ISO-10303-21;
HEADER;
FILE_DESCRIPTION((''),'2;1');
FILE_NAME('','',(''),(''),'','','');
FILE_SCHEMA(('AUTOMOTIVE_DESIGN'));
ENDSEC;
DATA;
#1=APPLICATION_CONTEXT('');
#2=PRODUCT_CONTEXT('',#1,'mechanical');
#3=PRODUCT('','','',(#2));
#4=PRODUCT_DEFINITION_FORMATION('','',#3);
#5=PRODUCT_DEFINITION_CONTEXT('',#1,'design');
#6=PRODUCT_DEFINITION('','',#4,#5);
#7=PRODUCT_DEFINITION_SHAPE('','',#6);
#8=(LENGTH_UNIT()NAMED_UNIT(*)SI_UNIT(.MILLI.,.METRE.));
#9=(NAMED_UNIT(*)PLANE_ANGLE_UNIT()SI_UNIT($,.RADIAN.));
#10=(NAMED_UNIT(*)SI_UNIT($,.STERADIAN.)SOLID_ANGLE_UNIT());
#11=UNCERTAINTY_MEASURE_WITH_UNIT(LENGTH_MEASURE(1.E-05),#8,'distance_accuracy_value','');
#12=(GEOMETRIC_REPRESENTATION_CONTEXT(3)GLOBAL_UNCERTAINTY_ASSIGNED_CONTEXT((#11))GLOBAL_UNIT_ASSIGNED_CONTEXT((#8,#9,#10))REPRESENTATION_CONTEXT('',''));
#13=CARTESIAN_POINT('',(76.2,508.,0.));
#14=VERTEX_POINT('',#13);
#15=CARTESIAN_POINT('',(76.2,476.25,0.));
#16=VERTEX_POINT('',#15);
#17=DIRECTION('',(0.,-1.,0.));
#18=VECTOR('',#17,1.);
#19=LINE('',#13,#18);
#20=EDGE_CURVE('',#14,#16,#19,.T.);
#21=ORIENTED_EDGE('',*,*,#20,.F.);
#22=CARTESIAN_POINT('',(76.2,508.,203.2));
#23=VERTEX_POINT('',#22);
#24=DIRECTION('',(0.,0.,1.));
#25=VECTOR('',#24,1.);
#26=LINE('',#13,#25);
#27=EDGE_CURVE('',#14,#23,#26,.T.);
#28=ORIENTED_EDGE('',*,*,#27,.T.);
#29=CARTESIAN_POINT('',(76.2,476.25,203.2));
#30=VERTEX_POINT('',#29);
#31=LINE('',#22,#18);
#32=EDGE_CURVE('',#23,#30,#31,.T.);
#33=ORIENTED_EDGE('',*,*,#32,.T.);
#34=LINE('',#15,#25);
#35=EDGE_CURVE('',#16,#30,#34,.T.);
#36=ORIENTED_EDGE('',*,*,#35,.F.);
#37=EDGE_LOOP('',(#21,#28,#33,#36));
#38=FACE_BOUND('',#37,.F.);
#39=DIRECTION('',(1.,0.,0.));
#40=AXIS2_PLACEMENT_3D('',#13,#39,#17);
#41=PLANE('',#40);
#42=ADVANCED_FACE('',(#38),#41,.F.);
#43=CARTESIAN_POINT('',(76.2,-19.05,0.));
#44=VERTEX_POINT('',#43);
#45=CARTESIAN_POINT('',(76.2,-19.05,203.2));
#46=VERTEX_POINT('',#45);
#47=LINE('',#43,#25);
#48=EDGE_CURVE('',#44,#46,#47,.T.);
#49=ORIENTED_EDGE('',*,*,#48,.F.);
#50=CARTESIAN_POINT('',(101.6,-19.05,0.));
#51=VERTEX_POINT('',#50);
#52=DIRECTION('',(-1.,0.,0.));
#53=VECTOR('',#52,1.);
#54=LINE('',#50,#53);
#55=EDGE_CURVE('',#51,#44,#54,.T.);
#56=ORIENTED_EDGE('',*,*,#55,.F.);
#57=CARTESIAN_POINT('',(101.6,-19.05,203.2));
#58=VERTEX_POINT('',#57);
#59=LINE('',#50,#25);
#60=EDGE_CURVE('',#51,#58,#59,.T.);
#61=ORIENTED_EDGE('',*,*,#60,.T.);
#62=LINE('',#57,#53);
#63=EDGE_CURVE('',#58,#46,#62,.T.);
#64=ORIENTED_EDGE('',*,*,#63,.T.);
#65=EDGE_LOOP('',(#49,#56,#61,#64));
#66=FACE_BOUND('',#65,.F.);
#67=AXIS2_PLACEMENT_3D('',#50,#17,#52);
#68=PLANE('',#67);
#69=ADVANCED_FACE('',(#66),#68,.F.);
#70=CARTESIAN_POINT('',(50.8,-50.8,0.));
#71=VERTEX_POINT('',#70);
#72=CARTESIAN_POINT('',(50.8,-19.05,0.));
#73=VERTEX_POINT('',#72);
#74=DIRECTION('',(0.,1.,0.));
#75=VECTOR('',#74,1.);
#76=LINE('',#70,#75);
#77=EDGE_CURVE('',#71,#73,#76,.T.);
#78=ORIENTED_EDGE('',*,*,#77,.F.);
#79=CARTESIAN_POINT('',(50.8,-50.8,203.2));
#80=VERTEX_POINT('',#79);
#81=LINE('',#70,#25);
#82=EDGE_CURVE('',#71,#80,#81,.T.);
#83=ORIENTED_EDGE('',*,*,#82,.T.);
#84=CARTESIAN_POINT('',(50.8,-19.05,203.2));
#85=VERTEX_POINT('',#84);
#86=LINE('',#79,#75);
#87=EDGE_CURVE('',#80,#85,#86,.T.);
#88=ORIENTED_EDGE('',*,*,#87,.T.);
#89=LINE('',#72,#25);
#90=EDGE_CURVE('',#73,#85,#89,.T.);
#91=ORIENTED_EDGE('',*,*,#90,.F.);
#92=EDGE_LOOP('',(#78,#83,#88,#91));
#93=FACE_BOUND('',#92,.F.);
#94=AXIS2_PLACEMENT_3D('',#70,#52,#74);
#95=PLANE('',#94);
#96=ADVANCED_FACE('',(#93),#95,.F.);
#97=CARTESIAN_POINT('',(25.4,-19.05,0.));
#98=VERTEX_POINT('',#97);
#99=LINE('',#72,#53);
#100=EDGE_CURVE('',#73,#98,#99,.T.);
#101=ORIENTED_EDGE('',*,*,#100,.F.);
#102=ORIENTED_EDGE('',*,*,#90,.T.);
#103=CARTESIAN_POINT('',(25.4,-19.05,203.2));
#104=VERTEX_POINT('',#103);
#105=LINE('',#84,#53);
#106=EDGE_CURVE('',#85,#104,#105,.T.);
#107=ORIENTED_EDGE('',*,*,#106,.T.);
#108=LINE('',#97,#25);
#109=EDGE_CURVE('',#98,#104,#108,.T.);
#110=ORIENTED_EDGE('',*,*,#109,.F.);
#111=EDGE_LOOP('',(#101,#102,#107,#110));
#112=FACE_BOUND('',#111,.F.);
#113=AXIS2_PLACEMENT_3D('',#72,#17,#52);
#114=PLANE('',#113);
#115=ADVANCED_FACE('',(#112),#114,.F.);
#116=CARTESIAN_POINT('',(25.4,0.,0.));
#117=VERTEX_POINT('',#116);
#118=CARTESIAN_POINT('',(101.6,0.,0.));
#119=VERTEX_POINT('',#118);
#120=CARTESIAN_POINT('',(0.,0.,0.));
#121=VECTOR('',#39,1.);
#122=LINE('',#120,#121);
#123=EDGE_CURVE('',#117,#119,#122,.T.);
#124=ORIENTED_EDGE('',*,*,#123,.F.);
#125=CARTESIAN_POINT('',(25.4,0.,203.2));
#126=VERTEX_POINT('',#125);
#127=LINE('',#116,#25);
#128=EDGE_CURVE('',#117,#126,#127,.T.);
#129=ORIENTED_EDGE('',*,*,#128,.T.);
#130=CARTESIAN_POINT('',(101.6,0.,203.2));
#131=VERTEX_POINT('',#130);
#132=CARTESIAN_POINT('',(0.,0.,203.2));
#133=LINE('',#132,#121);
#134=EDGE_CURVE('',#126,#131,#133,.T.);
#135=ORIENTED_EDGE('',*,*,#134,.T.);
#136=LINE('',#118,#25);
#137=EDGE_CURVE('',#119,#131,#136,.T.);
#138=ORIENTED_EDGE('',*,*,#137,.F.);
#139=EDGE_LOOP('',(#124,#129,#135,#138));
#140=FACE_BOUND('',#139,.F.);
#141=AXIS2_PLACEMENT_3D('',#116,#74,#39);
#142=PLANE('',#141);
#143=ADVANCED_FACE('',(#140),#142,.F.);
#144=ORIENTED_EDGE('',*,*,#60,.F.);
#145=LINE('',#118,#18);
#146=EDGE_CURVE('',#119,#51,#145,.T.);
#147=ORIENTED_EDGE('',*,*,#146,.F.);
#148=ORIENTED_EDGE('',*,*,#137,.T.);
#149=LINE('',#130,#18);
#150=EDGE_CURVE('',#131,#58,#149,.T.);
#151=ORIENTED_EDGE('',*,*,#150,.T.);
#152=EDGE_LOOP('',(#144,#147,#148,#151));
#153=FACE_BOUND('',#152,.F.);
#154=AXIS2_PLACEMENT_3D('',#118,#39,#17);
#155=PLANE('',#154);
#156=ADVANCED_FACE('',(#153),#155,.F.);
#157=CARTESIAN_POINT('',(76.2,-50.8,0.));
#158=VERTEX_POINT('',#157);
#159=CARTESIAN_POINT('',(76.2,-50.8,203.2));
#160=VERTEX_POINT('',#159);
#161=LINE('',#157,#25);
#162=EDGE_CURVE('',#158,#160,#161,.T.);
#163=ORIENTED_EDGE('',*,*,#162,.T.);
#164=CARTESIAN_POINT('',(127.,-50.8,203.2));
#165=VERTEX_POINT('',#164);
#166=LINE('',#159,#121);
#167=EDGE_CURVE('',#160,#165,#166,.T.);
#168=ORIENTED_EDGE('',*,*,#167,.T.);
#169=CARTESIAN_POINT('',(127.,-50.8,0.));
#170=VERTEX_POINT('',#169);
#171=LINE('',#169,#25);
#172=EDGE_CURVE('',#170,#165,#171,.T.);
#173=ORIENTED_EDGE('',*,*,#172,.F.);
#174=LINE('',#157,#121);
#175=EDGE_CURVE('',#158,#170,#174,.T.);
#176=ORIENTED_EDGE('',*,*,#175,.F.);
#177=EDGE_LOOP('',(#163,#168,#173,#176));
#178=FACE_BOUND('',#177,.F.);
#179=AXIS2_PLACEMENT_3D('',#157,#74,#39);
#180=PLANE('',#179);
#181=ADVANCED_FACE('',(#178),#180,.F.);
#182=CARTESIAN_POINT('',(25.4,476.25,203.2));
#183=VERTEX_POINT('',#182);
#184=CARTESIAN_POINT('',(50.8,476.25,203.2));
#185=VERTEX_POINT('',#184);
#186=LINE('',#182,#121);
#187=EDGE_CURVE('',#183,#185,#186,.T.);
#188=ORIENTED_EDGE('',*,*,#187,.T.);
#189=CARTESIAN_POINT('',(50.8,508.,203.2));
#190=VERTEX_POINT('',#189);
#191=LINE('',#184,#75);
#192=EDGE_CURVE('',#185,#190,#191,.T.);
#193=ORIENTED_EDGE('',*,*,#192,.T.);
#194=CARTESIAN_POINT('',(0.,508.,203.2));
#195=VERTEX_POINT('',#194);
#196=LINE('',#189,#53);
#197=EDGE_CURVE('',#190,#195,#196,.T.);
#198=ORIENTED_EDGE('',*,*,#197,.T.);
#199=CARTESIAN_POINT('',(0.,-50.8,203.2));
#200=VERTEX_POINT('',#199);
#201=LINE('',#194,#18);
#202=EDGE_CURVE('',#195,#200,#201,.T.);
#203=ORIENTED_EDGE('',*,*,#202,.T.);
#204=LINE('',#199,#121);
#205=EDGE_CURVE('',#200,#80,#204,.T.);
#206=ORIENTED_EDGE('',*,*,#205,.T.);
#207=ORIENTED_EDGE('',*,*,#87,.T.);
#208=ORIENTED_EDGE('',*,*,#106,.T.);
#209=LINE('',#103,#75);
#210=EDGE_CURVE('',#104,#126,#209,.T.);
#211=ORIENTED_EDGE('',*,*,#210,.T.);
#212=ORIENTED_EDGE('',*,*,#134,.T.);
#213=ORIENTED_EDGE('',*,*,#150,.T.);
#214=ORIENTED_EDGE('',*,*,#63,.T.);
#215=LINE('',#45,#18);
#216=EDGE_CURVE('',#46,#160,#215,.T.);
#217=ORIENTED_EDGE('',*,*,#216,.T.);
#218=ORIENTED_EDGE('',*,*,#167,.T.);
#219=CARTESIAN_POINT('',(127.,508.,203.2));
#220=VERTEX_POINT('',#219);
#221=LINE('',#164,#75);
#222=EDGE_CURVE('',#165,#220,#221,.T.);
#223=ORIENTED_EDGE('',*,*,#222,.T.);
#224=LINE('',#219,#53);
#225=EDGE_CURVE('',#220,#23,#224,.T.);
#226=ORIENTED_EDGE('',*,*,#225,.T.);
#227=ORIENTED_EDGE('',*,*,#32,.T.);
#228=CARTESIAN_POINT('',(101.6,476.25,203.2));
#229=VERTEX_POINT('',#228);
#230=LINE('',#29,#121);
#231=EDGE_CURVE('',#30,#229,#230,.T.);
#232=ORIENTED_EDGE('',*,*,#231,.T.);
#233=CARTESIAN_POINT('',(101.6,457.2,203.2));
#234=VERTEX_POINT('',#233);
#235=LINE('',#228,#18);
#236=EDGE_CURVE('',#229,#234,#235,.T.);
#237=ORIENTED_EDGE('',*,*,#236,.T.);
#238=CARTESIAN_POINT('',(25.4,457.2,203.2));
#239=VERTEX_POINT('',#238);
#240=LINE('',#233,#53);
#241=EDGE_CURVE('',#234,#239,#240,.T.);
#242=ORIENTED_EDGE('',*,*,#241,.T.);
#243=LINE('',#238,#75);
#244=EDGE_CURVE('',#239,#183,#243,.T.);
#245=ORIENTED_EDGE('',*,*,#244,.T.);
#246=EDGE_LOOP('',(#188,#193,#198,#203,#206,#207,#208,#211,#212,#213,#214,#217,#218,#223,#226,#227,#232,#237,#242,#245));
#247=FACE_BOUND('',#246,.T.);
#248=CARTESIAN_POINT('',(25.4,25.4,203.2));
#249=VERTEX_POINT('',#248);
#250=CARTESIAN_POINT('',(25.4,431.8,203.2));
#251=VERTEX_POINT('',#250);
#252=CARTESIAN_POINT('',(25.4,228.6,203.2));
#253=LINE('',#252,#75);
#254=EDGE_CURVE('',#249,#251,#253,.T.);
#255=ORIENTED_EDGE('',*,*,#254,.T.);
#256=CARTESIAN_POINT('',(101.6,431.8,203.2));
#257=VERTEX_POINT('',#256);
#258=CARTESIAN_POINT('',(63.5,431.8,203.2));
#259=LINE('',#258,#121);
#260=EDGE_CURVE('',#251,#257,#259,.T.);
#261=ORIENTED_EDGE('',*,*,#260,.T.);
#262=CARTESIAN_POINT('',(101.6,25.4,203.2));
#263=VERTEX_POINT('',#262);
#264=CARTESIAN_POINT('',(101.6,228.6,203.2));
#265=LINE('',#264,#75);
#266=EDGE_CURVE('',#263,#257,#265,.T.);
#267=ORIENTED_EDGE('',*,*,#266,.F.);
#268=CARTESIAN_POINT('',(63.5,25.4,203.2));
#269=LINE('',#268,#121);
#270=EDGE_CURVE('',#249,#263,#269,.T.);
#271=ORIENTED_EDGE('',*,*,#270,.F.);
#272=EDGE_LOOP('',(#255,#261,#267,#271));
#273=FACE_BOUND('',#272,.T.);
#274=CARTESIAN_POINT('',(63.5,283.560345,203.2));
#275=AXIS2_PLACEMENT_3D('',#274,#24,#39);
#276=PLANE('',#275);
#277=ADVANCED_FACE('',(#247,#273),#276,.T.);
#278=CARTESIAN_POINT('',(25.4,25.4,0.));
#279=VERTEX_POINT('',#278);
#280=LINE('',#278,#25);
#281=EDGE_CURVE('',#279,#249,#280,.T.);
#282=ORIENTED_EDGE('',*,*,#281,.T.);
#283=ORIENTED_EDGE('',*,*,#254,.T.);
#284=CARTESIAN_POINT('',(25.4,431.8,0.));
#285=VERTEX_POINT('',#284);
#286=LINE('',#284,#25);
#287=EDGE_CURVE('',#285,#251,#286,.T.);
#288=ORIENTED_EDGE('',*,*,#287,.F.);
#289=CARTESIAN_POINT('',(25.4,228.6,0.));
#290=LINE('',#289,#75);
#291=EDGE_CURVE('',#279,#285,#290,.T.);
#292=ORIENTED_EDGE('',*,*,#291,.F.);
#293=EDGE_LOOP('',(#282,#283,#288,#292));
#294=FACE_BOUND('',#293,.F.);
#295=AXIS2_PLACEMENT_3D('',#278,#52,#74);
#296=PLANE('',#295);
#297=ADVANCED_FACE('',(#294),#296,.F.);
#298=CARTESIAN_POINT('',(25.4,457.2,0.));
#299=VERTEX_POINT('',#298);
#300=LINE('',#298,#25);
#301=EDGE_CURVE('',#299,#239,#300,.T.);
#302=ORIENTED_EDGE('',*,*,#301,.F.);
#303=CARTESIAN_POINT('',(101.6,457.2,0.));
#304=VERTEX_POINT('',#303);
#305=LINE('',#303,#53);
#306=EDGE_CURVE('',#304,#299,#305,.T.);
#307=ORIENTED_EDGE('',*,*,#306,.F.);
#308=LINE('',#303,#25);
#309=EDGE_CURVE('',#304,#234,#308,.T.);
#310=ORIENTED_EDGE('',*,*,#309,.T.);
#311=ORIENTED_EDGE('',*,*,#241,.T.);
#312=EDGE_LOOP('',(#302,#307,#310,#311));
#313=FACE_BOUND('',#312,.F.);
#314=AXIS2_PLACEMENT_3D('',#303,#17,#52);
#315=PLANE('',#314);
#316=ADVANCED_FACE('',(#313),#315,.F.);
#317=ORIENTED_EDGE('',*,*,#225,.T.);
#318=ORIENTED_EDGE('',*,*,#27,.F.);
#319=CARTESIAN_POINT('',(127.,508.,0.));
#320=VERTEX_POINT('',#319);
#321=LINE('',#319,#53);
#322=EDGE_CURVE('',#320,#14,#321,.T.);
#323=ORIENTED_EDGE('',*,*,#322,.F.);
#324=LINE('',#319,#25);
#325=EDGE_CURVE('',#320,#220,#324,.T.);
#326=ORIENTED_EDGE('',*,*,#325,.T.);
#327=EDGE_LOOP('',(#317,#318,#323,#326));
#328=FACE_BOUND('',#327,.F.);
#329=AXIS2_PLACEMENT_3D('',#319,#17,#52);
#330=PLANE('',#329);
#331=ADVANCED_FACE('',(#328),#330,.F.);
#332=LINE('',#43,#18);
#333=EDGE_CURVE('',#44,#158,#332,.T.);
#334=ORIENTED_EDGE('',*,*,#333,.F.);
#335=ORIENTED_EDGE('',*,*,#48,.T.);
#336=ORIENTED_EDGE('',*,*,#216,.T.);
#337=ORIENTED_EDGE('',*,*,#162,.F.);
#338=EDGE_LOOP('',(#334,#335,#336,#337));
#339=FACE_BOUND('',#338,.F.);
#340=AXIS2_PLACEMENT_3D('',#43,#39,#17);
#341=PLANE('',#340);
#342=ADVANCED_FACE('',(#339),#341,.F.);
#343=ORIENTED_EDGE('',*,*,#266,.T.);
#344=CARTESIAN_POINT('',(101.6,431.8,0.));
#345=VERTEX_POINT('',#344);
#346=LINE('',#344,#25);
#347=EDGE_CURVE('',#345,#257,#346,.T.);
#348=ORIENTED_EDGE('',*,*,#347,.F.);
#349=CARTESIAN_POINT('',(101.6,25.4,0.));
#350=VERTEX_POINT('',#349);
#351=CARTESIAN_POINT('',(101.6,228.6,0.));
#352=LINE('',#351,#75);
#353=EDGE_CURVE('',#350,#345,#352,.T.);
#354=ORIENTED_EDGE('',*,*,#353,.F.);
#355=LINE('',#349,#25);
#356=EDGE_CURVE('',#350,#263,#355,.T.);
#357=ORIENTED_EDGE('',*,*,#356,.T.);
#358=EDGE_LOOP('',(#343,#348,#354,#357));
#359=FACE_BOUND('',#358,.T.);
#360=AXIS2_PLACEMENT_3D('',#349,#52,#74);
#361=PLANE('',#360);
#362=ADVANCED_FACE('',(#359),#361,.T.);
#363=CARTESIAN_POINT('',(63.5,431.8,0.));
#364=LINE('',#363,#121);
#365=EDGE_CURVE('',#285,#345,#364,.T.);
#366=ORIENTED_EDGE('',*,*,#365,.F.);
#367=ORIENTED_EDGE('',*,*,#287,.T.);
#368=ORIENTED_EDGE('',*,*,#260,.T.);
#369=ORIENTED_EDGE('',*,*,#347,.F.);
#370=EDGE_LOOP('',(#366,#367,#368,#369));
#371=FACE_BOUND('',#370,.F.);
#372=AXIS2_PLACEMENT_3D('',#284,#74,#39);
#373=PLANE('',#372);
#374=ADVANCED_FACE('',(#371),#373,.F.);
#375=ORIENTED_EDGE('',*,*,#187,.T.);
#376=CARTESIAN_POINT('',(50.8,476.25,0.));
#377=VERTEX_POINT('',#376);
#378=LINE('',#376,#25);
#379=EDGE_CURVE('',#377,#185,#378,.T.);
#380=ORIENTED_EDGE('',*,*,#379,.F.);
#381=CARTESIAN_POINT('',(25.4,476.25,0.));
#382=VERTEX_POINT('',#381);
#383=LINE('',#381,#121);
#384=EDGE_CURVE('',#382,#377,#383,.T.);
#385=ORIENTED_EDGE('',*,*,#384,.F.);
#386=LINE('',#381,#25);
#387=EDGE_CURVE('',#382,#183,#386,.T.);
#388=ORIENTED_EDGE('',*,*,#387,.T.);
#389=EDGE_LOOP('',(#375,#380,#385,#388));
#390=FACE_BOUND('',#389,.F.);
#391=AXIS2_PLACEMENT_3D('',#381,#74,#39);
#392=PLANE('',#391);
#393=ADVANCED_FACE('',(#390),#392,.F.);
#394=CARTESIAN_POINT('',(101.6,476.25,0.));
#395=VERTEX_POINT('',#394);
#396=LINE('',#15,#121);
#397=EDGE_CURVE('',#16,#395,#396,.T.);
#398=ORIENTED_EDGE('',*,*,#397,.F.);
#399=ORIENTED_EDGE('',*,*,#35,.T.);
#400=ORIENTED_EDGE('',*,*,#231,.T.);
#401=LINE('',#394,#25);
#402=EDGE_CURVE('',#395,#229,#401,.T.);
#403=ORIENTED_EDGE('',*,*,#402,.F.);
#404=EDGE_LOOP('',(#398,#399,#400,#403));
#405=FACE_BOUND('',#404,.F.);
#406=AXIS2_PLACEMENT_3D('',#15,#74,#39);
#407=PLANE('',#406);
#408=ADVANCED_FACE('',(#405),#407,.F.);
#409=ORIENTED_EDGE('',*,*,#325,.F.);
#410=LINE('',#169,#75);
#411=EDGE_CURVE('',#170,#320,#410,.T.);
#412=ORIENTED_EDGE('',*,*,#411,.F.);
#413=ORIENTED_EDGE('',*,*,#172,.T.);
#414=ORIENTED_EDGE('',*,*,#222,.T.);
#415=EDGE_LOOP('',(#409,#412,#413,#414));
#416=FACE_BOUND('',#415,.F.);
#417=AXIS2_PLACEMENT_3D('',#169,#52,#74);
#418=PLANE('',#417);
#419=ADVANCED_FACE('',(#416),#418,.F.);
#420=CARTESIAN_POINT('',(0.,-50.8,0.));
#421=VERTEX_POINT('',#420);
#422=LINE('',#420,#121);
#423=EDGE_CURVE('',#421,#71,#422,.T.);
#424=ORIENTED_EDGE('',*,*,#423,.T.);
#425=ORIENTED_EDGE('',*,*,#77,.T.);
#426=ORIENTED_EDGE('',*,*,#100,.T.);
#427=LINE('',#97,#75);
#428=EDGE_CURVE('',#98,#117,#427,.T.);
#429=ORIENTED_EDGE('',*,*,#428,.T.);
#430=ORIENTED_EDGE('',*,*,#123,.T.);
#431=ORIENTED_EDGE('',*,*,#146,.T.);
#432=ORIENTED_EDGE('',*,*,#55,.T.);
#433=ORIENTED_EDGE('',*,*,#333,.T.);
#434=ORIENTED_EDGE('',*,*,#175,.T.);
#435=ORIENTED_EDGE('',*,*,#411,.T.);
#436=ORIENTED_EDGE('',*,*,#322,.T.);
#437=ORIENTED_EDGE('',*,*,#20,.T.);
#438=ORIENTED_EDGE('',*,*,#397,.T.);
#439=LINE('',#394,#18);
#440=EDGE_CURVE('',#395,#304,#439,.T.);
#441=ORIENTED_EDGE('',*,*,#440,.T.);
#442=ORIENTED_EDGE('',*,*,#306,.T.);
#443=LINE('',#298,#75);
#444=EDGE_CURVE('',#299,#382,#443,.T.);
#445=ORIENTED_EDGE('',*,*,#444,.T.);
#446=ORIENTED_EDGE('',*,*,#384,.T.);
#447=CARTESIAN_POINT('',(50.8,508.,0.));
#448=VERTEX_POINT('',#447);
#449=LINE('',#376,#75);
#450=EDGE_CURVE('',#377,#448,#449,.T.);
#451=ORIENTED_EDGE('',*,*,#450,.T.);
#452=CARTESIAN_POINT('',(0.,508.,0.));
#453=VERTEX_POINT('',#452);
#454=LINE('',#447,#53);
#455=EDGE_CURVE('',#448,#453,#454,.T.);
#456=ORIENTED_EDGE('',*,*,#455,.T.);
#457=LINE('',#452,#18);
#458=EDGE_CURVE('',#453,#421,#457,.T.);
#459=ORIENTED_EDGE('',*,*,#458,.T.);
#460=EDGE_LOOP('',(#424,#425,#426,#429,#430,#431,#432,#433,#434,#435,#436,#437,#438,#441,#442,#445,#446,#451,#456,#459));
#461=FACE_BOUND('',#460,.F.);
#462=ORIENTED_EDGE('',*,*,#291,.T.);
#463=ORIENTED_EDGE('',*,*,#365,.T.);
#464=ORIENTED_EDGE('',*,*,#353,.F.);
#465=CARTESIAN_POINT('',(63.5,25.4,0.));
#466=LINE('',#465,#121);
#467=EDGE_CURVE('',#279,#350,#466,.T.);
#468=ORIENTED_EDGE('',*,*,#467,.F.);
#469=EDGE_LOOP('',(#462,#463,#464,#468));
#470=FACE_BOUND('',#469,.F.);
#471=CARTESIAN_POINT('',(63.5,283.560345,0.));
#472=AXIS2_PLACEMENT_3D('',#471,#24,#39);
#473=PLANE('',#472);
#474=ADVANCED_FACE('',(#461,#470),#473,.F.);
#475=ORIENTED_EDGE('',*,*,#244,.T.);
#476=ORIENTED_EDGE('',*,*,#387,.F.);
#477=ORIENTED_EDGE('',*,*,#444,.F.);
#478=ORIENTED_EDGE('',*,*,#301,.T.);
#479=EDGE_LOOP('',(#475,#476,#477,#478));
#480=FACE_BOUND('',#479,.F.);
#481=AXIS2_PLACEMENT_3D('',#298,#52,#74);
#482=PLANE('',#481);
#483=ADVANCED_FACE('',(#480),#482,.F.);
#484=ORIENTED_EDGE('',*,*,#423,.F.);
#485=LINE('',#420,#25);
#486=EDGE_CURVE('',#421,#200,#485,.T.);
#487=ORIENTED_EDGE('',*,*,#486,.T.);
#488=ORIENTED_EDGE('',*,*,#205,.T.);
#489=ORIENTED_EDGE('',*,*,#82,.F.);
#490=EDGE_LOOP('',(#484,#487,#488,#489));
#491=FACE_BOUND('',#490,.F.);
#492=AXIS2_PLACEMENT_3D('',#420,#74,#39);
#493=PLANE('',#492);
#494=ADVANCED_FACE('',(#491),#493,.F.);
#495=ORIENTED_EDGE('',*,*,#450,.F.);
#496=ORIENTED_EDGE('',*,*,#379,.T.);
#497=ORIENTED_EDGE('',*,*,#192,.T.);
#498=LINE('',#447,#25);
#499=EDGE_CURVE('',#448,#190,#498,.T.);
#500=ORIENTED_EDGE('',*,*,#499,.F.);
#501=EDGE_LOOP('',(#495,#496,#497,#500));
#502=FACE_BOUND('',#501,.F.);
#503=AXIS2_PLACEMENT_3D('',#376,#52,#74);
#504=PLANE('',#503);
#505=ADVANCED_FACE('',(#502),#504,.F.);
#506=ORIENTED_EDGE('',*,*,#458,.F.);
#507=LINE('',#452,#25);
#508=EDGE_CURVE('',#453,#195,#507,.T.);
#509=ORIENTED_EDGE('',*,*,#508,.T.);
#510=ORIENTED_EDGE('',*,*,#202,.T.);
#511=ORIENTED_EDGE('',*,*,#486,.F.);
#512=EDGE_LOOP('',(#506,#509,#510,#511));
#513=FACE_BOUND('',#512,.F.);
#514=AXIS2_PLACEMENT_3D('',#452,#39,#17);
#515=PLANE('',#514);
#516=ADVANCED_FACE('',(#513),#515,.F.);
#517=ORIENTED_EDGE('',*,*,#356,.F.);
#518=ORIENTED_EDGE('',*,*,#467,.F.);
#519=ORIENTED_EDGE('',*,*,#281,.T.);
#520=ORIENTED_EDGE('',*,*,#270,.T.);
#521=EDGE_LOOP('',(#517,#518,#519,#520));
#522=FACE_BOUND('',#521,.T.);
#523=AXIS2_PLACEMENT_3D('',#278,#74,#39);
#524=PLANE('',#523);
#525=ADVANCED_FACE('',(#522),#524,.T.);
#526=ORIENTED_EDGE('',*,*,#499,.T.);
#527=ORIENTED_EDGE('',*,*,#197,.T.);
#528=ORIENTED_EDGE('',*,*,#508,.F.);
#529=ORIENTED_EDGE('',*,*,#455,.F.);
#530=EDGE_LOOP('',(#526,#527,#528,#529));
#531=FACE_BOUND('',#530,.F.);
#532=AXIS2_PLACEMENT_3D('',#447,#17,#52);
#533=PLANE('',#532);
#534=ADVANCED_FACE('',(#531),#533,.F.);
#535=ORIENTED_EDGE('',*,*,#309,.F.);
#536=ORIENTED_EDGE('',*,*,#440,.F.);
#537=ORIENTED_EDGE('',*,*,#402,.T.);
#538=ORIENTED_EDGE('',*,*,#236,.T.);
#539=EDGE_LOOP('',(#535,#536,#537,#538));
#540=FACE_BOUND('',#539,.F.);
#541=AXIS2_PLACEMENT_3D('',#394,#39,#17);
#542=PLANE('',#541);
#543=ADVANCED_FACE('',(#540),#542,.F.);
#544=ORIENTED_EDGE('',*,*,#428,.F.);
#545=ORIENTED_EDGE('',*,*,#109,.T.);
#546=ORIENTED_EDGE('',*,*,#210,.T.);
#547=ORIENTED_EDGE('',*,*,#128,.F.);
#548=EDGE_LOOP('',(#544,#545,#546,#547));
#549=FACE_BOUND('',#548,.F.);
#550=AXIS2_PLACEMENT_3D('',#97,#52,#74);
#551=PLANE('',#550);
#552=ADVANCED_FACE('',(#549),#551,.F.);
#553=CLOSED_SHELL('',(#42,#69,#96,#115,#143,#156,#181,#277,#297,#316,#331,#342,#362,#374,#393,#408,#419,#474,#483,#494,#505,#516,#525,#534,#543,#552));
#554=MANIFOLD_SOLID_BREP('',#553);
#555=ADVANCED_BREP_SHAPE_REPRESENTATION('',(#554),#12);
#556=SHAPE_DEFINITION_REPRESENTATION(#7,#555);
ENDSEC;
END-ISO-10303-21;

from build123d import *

# Parameters (mm, degrees)
F0_W     = 76.2
F0_H     = 406.4
F1_DEPTH = 203.2


with BuildPart() as f1:
    # F0 (on Top) → F1 (new body)
    with BuildSketch(Plane.XY):
        Polygon((0, 457.2), (0, 0), (25.4, 0), (101.6, 0), (127, 0), (127, 457.2), (127, 508), (76.2, 508), (76.2, 476.25), (101.6, 476.25), (101.6, 457.2), (76.2, 457.2), (63.5, 457.2), (50.8, 457.2), (25.4, 457.2), (25.4, 476.25), (50.8, 476.25), (50.8, 508), (0, 508), align=None)
        with Locations((63.5, 228.6)):
            Rectangle(F0_W, F0_H, mode=Mode.SUBTRACT)
        Polygon((25.4, 0), (0, 0), (0, -50.8), (50.8, -50.8), (50.8, -19.05), (25.4, -19.05), align=None)
        Polygon((127, 0), (101.6, 0), (101.6, -19.05), (76.2, -19.05), (76.2, -50.8), (127, -50.8), align=None)
    extrude(amount=F1_DEPTH)


solid = f1.part
